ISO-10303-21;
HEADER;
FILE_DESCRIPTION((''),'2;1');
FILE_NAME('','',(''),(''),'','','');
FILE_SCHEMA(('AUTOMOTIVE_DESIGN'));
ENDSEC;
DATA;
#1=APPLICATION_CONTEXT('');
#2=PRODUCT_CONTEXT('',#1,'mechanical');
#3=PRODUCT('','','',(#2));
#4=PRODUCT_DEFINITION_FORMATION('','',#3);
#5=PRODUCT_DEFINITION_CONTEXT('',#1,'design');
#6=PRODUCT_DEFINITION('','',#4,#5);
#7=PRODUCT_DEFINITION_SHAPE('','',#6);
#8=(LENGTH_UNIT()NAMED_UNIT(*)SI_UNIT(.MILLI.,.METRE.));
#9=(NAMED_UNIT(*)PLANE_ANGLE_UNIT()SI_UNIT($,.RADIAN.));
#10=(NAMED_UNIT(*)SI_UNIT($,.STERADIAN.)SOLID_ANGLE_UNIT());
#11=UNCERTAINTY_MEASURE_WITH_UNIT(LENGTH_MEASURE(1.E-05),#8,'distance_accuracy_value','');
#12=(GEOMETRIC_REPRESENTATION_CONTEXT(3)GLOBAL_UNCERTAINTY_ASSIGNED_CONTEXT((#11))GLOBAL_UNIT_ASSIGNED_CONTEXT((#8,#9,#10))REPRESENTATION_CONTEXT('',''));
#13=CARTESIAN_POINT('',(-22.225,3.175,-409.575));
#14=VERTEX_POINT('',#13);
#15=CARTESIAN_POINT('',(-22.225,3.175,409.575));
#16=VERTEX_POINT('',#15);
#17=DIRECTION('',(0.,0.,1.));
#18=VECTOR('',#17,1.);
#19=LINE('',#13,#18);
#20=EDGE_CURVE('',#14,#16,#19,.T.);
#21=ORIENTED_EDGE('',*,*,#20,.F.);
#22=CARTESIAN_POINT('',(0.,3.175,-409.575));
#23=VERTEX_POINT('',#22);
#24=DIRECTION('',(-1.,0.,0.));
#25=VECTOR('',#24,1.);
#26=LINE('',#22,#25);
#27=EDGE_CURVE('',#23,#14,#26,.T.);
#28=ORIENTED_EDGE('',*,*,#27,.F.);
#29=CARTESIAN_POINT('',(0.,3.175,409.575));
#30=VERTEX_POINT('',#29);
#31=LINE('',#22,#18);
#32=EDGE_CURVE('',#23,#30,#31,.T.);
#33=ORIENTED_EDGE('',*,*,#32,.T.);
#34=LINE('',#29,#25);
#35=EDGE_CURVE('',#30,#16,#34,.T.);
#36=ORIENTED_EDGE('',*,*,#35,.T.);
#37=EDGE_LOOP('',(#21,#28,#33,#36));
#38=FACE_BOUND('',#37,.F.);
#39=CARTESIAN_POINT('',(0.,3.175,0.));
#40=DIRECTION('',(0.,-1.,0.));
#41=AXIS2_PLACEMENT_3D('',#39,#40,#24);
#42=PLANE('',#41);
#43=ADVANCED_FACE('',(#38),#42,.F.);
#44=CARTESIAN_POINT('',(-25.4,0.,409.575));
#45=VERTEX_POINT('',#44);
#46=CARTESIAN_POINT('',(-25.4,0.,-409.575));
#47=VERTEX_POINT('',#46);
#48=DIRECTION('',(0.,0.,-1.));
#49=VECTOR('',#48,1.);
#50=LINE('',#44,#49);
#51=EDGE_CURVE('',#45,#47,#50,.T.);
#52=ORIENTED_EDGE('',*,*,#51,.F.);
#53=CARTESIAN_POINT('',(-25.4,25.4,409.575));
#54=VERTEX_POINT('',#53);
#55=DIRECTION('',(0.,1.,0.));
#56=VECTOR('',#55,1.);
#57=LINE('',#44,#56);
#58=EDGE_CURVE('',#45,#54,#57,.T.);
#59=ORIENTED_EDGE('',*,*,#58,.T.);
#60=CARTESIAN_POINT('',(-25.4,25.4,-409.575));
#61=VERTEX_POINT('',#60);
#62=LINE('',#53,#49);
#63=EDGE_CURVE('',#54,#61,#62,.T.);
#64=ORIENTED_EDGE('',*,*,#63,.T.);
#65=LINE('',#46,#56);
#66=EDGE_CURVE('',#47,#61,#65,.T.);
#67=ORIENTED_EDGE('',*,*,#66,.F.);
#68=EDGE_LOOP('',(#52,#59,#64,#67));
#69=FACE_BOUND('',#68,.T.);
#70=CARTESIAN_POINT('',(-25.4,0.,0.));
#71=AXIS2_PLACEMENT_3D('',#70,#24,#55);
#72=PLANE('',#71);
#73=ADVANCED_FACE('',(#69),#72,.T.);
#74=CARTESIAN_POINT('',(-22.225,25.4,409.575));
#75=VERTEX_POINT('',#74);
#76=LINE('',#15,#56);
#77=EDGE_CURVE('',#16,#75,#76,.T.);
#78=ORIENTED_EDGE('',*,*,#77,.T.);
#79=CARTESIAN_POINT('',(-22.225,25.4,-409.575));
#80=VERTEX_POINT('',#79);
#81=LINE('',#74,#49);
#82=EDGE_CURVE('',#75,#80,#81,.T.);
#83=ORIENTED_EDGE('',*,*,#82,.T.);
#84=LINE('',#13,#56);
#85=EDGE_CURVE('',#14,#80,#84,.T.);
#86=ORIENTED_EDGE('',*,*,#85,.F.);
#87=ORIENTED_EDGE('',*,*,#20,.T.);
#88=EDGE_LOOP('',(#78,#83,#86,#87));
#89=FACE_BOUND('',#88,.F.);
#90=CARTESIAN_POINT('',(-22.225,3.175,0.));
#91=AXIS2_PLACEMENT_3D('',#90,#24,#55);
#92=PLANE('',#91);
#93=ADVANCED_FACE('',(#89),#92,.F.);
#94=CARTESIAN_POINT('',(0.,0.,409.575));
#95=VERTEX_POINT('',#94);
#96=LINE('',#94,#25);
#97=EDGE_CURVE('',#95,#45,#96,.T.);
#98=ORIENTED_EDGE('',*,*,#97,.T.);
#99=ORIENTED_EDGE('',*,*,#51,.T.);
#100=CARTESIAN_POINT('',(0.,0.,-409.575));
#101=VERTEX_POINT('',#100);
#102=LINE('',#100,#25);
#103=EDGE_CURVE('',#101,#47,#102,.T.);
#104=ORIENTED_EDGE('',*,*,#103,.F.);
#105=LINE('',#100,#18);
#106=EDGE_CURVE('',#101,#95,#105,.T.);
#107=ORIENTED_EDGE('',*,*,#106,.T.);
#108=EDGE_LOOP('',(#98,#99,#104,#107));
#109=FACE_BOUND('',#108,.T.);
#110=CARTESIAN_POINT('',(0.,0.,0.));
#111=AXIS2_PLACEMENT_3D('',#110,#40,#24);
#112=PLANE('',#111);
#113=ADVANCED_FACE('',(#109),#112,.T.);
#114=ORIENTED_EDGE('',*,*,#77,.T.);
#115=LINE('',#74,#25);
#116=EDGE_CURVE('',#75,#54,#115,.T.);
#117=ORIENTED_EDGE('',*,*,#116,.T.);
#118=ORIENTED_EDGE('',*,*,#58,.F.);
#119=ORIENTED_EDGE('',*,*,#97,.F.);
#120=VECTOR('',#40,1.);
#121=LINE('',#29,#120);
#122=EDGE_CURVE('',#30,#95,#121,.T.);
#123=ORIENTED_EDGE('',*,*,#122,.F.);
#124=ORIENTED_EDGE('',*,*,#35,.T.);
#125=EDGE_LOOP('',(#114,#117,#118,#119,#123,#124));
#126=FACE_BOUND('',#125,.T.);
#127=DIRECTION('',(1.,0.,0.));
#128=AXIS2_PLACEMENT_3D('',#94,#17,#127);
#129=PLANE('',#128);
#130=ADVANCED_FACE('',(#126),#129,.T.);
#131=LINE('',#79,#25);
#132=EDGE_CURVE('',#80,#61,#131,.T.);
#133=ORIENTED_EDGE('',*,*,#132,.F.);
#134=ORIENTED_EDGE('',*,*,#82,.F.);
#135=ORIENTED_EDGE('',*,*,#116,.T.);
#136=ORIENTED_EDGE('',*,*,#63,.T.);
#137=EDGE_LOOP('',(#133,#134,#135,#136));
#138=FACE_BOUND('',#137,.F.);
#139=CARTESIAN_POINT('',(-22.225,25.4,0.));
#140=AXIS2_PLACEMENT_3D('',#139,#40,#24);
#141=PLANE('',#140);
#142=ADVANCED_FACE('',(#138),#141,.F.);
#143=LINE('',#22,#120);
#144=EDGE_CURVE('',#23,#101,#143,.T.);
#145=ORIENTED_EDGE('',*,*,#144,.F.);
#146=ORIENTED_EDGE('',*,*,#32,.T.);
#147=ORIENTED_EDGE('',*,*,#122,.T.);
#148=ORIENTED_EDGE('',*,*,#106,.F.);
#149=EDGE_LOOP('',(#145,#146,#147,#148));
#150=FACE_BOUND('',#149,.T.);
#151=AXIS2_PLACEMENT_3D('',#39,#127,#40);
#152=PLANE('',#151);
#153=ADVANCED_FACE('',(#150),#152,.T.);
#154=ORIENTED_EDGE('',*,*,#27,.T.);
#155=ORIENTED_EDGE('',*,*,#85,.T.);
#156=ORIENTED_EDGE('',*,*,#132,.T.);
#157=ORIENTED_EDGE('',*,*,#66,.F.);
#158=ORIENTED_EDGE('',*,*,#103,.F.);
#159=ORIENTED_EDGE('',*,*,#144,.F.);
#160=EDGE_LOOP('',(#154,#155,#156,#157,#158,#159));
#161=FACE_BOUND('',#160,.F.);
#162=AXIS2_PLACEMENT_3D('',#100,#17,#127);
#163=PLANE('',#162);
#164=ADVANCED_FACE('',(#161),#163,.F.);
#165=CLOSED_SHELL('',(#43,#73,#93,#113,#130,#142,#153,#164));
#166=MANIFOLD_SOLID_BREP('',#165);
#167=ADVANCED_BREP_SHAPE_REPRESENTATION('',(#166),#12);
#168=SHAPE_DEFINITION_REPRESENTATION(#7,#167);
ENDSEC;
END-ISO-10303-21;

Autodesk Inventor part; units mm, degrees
ref_plane "YZ Plane" through (0, 0, 0) normal (1, 0, 0) x (0, 1, 0)
ref_plane "XZ Plane" through (0, 0, 0) normal (0, 1, 0) x (-1, 0, 0)
ref_plane "XY Plane" through (0, 0, 0) normal (0, 0, 1) x (1, 0, 0)
sketch "Sketch1" plane through (0, 0, 0) normal (0, 0, 1) x (1, 0, 0)
  line L0 (0, 0) -> (-25.4, 0)
  line L1 (-25.4, 0) -> (-25.4, 25.4)
  line L2 (0, 3.175) -> (-22.225, 3.175)
  line L3 (-22.225, 3.175) -> (-22.225, 25.4)
  line L4 (-22.225, 25.4) -> (-25.4, 25.4)
  line L5 (0, 3.175) -> (0, 0)
  dimension "d0" = 25.4
  dimension "d1" = 25.4
  dimension "d2" = 3.175
extrude "Extrusion1" add sketch "Sketch1" along normal mid plane 819.15
properties part number "32.25 Top L w holes"
